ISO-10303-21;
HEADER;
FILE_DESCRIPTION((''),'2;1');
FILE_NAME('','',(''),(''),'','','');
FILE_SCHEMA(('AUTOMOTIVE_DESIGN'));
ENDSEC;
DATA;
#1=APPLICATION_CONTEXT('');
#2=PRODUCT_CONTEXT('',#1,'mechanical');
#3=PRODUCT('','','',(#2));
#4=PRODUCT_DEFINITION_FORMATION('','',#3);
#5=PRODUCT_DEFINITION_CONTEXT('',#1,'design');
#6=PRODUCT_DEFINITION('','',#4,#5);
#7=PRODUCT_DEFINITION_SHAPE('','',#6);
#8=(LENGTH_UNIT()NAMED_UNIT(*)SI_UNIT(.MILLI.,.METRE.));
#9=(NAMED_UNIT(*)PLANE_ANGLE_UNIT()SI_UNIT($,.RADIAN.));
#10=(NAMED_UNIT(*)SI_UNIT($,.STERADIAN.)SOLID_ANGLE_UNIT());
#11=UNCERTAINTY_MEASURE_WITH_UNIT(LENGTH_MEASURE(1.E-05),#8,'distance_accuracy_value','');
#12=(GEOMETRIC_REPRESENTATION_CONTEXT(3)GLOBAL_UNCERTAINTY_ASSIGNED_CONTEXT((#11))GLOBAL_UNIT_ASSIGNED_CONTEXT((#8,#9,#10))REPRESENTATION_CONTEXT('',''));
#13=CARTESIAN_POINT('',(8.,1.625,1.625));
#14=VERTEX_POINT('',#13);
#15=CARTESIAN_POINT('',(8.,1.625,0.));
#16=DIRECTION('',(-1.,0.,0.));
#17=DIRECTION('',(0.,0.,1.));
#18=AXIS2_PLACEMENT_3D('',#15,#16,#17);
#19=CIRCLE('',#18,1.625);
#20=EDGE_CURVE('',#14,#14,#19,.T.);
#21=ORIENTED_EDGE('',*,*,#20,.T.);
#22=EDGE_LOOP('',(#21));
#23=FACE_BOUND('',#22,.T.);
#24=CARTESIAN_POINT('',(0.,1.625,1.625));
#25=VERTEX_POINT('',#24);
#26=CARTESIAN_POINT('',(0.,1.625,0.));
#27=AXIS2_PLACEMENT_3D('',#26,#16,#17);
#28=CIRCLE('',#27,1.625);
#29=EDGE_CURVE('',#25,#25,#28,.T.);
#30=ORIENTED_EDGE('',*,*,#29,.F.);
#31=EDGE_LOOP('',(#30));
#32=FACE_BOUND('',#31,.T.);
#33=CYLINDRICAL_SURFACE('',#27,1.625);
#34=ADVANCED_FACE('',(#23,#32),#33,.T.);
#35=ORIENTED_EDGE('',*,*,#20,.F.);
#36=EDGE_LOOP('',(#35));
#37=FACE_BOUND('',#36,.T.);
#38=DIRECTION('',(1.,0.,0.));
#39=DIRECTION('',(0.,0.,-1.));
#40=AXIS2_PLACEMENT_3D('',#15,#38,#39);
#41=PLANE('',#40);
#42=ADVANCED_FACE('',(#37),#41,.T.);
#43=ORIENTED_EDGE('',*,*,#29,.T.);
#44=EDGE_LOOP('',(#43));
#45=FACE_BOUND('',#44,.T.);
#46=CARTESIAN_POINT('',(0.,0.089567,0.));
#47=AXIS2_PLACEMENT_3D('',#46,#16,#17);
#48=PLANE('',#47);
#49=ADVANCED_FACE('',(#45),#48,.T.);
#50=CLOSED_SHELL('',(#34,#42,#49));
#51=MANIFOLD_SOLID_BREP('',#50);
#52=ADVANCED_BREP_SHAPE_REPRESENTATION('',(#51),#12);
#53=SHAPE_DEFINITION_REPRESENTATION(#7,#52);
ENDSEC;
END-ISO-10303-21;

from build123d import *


with BuildPart() as part:
    # Sketch2 → Revolve1 (revolve)
    with BuildSketch(Plane.XY, mode=Mode.PRIVATE) as revolve1_sk:
        Polygon((0, 0.089566929), (0, 1.625), (8, 1.625), (8, 0), (0, 0), align=None)
    revolve(revolve1_sk.sketch.rotate(Axis((0, 1.625, 0), (1, 0, 0)), 270), axis=Axis((0, 1.625, 0), (1, 0, 0)))


solid = part.part
